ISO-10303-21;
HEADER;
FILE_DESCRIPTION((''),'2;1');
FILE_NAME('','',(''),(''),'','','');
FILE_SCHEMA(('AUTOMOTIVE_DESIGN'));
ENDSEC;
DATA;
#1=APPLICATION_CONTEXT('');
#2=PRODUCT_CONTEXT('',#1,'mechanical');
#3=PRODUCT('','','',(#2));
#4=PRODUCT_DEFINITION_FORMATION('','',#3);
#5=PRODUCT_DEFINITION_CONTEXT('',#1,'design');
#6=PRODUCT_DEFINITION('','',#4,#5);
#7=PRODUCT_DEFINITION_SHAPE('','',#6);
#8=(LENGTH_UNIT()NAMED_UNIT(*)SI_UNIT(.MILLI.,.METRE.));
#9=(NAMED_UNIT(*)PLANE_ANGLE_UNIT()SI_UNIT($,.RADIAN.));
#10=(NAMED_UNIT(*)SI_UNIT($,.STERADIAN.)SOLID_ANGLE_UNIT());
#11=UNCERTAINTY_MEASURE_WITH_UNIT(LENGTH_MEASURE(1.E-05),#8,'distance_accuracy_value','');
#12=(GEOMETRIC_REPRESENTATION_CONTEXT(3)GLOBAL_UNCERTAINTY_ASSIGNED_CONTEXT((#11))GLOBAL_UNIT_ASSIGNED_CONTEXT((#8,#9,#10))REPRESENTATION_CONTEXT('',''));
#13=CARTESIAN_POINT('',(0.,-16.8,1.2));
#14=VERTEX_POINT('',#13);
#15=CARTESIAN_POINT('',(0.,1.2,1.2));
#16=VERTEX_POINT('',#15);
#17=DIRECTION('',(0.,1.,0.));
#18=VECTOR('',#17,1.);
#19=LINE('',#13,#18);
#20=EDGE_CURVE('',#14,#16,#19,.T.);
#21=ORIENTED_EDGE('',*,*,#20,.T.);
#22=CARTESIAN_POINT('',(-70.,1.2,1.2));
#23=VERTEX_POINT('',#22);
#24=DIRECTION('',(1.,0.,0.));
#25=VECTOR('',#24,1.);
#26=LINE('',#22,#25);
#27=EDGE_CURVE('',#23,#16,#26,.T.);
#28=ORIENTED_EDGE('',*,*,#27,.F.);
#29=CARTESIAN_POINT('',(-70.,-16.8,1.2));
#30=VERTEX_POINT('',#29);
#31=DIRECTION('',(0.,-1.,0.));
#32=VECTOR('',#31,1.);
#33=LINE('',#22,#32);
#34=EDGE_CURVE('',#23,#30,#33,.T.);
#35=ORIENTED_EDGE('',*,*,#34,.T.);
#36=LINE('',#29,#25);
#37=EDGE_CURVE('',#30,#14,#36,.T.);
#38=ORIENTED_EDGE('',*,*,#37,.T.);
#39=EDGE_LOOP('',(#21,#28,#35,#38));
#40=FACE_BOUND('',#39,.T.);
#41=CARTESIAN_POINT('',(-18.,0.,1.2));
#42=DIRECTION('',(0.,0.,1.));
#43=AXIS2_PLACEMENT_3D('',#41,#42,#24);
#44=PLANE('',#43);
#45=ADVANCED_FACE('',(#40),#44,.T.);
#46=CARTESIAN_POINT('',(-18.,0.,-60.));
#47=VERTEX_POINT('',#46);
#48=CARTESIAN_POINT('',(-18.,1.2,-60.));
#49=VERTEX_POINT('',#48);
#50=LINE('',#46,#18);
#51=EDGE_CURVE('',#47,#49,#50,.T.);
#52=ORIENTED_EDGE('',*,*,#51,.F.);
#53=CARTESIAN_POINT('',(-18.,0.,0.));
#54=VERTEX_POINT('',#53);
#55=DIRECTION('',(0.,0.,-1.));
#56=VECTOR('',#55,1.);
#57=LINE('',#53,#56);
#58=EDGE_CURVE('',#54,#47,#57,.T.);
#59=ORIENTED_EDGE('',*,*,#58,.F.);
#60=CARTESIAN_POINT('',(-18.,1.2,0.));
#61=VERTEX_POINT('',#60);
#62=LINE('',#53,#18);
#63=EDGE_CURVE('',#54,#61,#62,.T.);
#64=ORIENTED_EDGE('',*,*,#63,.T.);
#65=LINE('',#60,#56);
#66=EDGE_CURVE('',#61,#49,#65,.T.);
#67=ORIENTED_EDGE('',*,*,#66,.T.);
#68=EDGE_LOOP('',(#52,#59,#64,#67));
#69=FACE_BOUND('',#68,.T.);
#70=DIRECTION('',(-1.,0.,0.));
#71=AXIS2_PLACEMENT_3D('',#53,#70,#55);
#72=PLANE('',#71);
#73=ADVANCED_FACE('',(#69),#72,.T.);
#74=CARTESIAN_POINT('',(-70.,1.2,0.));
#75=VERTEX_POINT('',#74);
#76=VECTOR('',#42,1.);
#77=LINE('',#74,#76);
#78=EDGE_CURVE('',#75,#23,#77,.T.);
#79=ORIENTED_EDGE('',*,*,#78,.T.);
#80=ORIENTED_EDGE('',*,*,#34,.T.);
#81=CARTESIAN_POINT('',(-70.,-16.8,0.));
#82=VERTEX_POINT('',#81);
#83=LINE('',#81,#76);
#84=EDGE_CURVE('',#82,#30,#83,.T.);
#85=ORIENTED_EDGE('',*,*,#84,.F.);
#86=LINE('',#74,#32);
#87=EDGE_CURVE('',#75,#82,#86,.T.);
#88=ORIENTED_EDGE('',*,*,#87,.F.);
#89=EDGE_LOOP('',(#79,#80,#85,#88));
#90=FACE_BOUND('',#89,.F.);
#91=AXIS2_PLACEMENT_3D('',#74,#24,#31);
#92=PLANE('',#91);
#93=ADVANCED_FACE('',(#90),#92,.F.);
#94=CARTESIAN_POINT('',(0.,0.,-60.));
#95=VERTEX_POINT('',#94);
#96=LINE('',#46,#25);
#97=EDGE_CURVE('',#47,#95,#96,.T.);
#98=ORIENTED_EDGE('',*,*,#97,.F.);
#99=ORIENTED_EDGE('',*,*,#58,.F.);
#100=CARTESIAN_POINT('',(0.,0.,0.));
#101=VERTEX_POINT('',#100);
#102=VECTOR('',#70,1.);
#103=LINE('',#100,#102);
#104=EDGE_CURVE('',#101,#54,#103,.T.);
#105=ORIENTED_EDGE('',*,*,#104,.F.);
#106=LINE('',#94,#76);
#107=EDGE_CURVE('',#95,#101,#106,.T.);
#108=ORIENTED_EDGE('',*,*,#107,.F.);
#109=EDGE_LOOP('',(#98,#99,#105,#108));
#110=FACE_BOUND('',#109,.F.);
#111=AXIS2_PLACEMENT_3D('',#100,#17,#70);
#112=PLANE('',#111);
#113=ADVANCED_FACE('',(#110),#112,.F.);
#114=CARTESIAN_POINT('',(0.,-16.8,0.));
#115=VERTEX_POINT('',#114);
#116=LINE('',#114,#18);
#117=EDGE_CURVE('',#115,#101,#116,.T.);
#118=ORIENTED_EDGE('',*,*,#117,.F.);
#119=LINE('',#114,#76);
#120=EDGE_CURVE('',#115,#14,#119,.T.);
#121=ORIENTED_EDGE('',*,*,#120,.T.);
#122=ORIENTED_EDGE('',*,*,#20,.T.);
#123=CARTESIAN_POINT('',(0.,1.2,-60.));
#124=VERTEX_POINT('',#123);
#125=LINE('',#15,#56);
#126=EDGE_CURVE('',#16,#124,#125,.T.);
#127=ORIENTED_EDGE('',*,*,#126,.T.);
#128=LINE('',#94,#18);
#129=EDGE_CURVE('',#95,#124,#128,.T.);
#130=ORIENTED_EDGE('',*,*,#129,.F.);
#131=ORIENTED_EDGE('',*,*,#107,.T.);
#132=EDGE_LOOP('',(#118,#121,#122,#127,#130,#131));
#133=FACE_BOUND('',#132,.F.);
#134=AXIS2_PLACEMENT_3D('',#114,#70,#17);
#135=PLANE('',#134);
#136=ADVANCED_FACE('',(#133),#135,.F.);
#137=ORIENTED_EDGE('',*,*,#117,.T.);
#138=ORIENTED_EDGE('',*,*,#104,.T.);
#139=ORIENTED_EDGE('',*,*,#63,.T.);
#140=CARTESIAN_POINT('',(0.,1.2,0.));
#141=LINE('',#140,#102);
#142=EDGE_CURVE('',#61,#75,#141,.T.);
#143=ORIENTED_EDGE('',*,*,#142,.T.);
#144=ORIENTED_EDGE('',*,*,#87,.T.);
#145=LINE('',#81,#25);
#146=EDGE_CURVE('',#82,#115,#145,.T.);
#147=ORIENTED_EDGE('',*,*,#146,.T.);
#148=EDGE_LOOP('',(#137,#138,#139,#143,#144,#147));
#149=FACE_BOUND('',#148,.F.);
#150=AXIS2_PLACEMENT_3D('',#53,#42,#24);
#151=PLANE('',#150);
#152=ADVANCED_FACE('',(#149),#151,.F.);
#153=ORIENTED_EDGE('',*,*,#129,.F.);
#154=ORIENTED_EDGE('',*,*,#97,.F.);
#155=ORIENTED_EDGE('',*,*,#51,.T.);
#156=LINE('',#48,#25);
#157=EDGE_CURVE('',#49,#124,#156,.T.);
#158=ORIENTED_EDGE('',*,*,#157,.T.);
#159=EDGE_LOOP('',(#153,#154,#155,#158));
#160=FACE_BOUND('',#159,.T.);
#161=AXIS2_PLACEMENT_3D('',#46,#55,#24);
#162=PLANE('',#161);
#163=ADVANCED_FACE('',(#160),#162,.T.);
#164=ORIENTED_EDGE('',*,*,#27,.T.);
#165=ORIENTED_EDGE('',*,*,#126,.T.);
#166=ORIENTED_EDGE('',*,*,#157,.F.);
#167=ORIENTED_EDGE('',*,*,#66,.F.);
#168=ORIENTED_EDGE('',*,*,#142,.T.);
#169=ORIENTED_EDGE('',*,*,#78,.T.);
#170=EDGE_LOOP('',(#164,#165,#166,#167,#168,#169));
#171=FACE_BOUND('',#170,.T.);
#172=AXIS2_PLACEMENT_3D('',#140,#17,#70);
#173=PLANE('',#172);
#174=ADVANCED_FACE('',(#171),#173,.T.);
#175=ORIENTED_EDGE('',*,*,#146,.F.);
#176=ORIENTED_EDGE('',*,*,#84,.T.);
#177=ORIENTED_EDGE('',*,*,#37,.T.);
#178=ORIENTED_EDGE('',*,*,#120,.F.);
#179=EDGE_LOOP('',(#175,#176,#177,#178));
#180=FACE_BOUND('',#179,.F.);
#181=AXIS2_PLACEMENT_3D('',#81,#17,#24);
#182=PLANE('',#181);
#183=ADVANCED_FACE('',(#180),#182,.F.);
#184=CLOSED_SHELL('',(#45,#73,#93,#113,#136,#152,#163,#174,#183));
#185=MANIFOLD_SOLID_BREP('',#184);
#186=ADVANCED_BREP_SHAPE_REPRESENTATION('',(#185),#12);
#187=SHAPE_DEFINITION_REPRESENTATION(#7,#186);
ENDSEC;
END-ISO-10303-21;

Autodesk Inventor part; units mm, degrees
ref_plane "YZ Plane" through (0, 0, 0) normal (1, 0, 0) x (0, 1, 0)
ref_plane "XZ Plane" through (0, 0, 0) normal (0, 1, 0) x (-1, 0, 0)
ref_plane "XY Plane" through (0, 0, 0) normal (0, 0, 1) x (1, 0, 0)
sketch "Sketch1" plane through (0, 0, 0) normal (0, 1, 0) x (-1, 0, 0)
  line L0 (0, 0) -> (18, 0)
  line L1 (18, 0) -> (18, -60)
  line L2 (18, -60) -> (0, -60)
  line L3 (0, -60) -> (0, 0)
  dimension "d0" = 18
  dimension "d1" = 60
extrude "Extrusion1" add sketch "Sketch1" along normal blind 1.2
sketch "Sketch3" plane through (-18, 0, 0) normal (0, 0, 1) x (1, 0, 0)
  line L0 (0, 1.2) -> (18, 1.2) projected
  line L1 (18, 1.2) -> (-52, 1.2)
  line L2 (-52, 1.2) -> (-52, -16.8)
  line L3 (-52, -16.8) -> (18, -16.8)
  line L4 (18, -16.8) -> (18, 1.2)
  point P0 (18, 0)
  dimension "d4" = 70
  dimension "d5" = 18
extrude "Extrusion2" add sketch "Sketch3" along normal blind 1.2
properties part number "Giá đỡ 1"
